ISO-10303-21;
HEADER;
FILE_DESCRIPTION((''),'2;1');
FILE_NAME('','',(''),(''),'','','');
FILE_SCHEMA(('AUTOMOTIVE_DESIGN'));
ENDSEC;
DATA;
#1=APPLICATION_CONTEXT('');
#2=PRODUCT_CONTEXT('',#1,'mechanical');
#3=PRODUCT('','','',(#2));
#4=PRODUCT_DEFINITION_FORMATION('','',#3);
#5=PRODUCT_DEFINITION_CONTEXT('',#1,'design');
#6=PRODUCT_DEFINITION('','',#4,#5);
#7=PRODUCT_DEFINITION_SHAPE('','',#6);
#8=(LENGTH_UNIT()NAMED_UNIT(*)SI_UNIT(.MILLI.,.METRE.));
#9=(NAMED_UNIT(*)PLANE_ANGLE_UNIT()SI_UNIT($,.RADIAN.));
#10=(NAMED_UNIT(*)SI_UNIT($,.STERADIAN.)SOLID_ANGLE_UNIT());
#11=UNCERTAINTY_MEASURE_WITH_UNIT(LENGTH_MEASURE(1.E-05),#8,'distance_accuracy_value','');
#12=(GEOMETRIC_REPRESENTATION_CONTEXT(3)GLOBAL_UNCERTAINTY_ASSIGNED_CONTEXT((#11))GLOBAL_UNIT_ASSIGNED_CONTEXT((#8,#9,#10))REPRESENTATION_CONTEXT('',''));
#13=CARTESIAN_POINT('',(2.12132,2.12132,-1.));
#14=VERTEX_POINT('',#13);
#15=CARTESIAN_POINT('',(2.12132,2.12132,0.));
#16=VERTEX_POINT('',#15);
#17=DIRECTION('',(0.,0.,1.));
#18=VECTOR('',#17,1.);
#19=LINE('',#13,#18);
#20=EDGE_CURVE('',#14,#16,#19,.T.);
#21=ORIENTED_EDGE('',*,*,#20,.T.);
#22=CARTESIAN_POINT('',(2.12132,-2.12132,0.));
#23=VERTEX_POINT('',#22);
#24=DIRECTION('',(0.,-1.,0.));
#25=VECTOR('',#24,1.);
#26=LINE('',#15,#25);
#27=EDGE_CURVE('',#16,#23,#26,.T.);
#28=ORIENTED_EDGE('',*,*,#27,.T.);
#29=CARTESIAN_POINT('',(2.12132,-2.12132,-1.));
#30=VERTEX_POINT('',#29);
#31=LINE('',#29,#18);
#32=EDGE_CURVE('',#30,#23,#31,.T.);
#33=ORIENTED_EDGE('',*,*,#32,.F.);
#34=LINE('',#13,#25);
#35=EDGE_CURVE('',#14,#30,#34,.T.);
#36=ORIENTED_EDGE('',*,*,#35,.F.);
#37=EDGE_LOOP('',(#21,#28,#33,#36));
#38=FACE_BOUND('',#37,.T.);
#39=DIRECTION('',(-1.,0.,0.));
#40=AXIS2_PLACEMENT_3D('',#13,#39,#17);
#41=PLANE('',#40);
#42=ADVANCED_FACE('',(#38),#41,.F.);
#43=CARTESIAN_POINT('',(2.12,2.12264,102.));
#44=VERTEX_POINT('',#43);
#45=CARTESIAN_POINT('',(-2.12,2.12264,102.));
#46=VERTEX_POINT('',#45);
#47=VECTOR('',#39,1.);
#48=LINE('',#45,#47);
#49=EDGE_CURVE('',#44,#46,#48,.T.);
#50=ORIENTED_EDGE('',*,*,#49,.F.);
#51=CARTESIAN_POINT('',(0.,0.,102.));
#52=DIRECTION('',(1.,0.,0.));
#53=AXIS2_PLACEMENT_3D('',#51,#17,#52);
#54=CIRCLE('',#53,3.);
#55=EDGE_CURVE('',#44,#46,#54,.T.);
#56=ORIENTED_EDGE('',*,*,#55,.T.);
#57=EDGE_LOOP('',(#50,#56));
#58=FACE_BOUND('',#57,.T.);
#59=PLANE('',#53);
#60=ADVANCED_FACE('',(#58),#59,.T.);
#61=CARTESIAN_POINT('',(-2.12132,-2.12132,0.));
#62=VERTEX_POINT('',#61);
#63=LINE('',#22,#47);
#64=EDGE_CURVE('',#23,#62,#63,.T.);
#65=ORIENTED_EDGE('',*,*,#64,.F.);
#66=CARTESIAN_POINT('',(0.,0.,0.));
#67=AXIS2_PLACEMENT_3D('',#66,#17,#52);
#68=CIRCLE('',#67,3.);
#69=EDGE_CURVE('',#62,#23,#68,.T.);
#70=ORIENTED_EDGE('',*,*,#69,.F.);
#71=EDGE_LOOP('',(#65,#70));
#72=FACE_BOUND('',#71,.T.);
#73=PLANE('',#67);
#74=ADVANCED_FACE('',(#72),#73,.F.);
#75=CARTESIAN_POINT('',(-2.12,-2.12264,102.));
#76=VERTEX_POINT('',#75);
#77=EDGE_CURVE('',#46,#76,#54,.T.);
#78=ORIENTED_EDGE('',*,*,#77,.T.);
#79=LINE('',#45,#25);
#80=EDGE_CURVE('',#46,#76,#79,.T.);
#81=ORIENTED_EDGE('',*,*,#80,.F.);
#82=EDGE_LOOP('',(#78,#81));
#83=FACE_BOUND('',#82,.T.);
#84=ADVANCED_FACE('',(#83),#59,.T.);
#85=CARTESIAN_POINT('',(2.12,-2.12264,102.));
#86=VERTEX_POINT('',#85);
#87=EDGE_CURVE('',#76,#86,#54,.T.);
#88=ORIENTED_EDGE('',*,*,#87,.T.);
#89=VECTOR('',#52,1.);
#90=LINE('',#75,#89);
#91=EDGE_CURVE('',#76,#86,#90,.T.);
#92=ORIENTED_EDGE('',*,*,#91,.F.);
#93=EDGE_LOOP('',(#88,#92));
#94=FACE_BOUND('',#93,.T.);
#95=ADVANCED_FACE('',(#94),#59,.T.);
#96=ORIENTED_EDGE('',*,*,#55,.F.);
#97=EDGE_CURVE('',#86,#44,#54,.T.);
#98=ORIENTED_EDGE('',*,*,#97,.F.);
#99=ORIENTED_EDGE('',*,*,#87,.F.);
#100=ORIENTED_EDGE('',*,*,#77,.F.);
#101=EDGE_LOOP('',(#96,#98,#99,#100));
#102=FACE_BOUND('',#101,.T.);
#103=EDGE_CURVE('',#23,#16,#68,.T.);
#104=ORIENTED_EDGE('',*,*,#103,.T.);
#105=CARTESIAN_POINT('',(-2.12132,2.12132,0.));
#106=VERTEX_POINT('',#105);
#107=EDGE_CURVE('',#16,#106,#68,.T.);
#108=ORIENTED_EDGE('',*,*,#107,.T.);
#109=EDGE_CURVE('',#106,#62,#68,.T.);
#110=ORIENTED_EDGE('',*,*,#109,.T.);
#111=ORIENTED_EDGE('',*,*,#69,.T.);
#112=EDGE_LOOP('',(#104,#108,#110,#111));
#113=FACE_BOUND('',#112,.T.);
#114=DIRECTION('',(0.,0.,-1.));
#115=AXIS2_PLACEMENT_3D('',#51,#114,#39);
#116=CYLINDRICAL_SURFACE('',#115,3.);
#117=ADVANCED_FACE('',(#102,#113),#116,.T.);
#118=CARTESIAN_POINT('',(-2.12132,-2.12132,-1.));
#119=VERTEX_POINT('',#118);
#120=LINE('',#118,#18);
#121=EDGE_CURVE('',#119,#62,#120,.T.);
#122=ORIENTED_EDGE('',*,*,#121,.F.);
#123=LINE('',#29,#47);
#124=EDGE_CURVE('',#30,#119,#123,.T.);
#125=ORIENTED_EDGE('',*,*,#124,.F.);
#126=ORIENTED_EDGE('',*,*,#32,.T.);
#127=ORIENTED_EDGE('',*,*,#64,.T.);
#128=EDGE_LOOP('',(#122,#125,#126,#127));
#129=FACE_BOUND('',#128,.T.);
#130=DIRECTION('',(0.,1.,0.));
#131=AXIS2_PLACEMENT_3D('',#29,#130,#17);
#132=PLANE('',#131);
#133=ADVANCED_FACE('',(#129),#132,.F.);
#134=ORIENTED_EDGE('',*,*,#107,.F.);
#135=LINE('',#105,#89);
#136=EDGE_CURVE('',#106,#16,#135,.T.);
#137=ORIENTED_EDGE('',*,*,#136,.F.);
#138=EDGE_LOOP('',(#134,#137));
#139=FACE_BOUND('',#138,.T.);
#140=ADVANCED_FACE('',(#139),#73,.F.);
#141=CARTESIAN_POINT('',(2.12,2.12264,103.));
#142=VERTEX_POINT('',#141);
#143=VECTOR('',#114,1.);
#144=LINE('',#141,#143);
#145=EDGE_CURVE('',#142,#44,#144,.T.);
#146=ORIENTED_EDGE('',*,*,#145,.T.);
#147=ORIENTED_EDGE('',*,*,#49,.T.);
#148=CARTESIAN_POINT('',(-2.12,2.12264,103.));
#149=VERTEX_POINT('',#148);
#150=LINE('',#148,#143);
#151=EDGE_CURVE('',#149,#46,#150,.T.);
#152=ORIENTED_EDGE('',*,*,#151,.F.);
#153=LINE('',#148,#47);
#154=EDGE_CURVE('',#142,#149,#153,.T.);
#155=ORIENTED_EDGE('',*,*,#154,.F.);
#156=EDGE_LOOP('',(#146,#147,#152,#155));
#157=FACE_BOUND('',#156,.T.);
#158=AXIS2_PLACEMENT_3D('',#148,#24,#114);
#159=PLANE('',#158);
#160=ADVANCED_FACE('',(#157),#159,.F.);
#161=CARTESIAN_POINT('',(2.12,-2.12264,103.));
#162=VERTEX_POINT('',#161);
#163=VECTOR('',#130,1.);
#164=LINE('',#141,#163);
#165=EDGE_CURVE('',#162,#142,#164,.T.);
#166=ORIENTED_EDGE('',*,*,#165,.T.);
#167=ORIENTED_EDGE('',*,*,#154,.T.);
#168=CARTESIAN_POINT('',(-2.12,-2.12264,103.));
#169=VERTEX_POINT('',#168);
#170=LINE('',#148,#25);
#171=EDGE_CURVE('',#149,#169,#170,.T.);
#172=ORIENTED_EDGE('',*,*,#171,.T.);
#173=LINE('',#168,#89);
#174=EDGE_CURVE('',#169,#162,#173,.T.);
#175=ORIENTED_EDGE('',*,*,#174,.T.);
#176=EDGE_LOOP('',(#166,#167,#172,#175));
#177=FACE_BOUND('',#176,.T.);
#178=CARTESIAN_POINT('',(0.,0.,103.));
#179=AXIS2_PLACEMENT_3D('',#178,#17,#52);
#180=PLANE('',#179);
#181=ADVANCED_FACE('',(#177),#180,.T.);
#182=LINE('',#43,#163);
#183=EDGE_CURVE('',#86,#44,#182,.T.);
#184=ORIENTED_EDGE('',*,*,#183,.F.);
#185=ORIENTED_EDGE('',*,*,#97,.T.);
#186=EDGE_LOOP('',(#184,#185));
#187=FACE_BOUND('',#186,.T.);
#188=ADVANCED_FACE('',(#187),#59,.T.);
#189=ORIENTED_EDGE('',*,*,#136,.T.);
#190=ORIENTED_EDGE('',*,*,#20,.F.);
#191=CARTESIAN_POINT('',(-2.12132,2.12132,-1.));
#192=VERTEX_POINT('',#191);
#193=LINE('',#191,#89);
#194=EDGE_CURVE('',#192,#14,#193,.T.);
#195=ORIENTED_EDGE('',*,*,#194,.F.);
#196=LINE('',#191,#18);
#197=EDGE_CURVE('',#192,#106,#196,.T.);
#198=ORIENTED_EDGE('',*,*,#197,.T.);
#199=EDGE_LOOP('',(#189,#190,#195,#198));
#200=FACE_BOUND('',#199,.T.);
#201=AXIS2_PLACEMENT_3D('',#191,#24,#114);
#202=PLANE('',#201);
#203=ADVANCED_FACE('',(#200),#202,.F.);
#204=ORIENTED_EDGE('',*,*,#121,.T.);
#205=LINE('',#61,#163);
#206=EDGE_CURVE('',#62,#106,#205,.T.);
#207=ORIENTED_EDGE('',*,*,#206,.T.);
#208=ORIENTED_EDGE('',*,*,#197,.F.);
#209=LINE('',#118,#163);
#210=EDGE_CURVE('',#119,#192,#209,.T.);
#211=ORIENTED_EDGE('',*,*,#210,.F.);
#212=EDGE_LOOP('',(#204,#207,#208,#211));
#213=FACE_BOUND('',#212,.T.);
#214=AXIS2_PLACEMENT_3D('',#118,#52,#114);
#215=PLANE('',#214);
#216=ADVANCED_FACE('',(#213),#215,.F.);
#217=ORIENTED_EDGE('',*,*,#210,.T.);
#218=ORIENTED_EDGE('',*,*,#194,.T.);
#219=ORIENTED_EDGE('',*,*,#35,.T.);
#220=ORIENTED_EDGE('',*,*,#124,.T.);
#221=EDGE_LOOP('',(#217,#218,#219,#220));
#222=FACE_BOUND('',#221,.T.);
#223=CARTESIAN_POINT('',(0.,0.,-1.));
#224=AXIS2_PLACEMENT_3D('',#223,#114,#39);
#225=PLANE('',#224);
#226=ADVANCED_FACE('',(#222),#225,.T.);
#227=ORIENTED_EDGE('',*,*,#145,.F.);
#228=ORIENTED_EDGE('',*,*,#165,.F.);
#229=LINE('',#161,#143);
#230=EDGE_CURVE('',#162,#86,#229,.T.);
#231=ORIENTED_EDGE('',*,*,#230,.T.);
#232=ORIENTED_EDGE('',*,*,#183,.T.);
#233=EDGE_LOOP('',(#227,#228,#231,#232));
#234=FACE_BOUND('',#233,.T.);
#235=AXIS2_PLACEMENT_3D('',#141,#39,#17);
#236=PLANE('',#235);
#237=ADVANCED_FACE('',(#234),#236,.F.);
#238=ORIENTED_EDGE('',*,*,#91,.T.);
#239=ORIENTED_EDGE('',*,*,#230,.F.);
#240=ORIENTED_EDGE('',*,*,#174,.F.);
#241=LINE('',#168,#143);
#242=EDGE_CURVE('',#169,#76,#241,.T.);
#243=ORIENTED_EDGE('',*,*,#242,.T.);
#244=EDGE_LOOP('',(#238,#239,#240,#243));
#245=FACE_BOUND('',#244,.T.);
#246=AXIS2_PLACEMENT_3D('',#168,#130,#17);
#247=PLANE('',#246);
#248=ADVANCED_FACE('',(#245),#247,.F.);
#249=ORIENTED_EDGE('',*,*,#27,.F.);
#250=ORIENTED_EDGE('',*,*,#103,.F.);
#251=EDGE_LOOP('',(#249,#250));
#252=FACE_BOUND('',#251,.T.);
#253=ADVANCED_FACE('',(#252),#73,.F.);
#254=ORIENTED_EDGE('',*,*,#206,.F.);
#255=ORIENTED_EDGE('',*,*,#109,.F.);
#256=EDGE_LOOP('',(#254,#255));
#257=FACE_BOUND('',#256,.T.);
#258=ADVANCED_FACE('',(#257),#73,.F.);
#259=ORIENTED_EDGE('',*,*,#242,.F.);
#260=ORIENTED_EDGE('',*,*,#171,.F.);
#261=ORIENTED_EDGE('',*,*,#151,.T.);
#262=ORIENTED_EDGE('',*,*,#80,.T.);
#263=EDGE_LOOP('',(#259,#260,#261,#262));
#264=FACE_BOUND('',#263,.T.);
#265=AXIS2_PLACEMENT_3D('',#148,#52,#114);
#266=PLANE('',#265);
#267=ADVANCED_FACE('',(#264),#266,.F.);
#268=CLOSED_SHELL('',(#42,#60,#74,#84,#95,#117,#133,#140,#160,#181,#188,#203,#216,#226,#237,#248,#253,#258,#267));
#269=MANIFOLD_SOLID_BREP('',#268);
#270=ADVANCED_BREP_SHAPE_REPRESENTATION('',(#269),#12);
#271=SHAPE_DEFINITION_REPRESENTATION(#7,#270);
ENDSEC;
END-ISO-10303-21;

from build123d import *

# Parameters (mm, degrees)
MAIN_BAR_CROSS_SECTION_R = 3
BOSS_EXTRUDE1_DEPTH      = 102
SKETCH2_W                = 4.242640688
SKETCH2_H                = 4.242640688
BOSS_EXTRUDE2_DEPTH      = 1
SKETCH3_W                = 4.24
SKETCH3_H                = 4.245279732
BOSS_EXTRUDE3_DEPTH      = 1


with BuildPart() as part:
    # Main bar cross section → Boss-Extrude1 (new body)
    with BuildSketch(Plane.XY):
        Circle(MAIN_BAR_CROSS_SECTION_R)
    extrude(amount=BOSS_EXTRUDE1_DEPTH)

    # Sketch2 → Boss-Extrude2 (add)
    with BuildSketch(Plane(origin=(0, 0, 0), x_dir=(-1, 0, 0), z_dir=(0, 0, -1))):
        Rectangle(SKETCH2_W, SKETCH2_H)
    extrude(amount=BOSS_EXTRUDE2_DEPTH)

    # Sketch3 → Boss-Extrude3 (add)
    with BuildSketch(Plane.XY.offset(102)):
        Rectangle(SKETCH3_W, SKETCH3_H)
    extrude(amount=BOSS_EXTRUDE3_DEPTH)


solid = part.part
